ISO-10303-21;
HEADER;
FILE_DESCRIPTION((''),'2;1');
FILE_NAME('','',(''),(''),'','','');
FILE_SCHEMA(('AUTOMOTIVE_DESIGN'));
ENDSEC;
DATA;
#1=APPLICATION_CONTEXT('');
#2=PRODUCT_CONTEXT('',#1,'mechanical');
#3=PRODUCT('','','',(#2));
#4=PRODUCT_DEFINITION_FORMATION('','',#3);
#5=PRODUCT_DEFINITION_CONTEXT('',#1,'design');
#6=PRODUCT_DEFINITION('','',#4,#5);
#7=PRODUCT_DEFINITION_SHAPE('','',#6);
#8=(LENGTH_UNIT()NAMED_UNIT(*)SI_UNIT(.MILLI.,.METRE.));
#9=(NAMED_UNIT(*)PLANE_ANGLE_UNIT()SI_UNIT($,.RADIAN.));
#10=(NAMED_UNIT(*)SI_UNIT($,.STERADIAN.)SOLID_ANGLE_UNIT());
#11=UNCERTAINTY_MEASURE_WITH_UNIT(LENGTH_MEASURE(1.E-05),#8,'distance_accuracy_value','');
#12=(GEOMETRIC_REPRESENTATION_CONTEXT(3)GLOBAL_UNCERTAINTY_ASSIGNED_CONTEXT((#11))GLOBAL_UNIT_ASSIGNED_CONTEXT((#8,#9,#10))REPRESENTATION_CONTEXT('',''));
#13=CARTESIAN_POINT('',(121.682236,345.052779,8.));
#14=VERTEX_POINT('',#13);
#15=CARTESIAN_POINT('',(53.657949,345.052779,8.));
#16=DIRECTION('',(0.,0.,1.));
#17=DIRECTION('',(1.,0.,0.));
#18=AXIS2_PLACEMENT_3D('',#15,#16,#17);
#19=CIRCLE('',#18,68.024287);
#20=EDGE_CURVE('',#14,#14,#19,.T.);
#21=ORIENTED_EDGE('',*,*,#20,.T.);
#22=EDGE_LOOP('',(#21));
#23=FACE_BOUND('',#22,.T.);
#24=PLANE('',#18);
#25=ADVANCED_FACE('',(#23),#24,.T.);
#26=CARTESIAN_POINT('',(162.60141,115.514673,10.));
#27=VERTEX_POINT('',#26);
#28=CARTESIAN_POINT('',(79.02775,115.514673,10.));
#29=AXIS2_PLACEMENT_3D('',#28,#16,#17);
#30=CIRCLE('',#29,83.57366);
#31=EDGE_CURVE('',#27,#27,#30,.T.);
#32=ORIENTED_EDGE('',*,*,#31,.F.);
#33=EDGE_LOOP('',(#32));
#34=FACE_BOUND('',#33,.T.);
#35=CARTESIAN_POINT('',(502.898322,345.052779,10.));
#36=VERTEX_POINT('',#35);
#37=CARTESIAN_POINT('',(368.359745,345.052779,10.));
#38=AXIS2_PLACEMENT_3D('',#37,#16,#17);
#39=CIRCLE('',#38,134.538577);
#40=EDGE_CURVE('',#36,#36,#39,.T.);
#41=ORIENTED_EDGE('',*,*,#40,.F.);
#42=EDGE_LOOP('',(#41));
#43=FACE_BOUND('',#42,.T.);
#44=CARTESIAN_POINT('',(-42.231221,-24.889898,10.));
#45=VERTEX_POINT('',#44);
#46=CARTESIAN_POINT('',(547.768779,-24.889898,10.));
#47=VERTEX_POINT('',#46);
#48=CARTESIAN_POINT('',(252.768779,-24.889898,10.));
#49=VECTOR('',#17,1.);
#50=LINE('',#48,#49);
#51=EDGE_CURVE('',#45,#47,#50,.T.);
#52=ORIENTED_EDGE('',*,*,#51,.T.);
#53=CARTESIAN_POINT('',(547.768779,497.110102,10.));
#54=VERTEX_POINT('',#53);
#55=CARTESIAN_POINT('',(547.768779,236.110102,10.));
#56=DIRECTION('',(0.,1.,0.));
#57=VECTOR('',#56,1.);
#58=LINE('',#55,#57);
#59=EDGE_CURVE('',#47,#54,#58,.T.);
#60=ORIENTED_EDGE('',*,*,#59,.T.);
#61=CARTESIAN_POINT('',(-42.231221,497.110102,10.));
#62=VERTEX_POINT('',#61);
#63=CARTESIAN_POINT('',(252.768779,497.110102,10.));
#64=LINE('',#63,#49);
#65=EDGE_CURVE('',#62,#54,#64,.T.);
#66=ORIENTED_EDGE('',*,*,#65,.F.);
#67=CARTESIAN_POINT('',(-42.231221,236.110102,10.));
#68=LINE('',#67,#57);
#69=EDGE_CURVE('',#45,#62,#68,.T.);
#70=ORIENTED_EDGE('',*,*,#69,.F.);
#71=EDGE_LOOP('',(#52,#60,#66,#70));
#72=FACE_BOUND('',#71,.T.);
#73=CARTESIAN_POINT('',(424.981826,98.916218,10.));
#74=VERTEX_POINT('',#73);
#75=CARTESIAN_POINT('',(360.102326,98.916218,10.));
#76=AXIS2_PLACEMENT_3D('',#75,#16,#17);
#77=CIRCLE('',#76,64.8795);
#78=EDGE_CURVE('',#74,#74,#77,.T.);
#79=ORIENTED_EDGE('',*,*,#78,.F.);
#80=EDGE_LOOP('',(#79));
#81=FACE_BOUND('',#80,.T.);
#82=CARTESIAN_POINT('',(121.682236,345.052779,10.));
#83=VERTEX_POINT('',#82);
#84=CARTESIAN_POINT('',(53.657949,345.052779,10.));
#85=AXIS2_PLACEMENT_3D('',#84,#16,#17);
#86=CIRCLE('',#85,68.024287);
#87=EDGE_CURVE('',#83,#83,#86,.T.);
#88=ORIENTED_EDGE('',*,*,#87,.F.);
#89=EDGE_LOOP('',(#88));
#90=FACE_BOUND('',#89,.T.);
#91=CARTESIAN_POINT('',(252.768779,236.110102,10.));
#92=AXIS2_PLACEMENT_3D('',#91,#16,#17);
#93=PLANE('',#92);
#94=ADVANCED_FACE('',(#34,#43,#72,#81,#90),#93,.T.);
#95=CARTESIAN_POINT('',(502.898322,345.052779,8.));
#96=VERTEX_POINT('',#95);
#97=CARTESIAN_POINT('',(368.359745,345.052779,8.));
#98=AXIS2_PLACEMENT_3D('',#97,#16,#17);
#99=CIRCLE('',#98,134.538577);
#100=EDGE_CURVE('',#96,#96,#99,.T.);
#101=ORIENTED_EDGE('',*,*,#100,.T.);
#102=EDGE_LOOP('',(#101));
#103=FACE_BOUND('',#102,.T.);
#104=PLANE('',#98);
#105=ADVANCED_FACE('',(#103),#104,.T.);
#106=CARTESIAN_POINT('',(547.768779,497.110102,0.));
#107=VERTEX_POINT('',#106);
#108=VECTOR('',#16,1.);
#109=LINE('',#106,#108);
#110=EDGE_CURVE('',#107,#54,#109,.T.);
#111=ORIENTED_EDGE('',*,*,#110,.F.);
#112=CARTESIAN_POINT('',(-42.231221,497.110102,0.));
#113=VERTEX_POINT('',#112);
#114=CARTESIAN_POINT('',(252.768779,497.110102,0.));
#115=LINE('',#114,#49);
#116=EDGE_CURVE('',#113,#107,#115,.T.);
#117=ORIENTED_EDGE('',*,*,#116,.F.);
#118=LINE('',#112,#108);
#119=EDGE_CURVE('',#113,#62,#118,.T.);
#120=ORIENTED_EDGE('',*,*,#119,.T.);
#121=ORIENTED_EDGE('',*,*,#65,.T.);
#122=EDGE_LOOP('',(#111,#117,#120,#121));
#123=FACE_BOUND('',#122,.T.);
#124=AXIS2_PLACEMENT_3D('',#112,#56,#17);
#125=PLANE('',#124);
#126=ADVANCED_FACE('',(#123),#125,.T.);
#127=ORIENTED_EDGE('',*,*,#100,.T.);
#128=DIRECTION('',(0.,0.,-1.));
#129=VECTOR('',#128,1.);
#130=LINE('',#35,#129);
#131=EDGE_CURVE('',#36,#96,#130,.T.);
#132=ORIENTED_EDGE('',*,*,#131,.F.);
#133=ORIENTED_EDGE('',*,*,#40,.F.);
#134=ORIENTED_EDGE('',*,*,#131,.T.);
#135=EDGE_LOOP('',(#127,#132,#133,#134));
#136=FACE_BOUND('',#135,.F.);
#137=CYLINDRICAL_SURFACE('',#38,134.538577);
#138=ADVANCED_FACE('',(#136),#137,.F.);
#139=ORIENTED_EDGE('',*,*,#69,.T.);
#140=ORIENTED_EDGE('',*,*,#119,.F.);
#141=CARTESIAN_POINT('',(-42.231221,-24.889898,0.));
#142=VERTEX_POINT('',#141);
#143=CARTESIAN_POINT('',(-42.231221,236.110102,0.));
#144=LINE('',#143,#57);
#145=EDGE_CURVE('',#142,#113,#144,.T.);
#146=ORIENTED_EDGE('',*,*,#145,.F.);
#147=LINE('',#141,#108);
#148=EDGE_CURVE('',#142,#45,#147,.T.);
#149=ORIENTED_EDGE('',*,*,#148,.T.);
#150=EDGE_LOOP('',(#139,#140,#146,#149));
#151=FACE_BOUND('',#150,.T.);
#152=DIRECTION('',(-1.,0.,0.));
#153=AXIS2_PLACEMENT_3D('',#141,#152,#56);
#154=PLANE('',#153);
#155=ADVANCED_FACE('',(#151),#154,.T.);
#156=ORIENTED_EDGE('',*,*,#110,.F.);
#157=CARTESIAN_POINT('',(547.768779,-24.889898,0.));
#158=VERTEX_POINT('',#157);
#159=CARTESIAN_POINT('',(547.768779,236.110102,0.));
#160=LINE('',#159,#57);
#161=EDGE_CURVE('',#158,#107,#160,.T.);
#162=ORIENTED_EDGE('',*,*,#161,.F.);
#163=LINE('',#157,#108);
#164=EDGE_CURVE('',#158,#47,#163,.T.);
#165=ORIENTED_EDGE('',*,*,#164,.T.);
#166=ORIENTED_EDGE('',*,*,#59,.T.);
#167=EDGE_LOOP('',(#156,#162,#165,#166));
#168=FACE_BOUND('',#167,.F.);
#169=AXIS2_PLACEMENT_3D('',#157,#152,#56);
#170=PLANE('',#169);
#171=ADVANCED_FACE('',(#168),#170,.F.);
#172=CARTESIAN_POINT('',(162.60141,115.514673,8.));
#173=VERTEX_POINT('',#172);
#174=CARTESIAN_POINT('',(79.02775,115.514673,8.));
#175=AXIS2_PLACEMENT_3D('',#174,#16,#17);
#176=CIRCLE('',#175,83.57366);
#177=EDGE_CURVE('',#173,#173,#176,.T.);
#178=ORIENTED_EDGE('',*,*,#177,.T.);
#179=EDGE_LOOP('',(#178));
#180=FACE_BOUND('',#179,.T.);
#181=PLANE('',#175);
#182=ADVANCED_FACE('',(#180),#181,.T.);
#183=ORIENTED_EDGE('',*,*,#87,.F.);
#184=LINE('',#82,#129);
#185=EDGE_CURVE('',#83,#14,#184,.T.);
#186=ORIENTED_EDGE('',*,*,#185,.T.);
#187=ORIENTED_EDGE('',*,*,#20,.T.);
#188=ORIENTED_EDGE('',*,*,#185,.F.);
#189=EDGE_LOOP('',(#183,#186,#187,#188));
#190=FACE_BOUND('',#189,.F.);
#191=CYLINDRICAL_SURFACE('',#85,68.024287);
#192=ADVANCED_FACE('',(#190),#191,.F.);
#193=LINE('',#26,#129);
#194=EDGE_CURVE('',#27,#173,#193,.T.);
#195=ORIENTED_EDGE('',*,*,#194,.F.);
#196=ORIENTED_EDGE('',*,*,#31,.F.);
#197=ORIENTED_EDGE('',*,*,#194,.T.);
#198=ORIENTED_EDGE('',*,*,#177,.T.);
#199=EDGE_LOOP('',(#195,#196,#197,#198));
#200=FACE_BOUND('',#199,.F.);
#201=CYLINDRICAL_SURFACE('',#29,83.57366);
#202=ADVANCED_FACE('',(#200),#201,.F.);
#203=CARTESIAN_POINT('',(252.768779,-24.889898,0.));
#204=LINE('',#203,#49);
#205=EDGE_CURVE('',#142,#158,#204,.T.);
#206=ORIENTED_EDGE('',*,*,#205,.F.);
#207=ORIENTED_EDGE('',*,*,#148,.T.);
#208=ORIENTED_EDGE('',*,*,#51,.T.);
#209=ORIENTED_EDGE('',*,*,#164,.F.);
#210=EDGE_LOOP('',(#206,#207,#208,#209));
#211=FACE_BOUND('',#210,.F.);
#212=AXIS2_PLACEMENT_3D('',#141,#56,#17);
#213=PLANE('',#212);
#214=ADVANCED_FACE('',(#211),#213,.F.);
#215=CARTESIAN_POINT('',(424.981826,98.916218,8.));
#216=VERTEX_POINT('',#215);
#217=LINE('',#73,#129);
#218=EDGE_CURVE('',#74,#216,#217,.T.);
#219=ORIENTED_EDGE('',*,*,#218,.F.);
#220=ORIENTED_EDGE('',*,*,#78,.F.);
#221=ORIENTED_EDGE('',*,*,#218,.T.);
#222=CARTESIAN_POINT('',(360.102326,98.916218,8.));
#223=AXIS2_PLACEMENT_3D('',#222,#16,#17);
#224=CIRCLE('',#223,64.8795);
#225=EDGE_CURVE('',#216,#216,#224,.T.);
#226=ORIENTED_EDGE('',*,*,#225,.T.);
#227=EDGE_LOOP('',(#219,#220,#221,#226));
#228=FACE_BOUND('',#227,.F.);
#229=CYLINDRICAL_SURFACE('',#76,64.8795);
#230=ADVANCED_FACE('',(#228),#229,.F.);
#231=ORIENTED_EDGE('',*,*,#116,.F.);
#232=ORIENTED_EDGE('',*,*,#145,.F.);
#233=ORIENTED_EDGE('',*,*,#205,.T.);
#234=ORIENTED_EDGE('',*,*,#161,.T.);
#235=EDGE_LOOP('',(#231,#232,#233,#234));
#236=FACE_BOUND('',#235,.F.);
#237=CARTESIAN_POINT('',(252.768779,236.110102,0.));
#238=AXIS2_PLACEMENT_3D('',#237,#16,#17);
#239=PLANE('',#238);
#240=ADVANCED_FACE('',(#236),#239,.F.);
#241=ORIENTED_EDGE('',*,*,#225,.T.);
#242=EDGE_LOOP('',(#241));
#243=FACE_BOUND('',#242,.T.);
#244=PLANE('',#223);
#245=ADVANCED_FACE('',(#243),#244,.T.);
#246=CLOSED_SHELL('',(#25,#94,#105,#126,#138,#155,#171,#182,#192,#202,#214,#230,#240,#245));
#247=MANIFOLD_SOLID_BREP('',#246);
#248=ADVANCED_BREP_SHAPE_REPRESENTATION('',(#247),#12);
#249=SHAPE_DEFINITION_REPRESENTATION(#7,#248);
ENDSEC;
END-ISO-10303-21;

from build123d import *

# Parameters (mm, degrees)
F0_W     = 590
F0_H     = 522
F1_DEPTH = 10
F2_R     = 68.024287
F2_R_2   = 134.538577
F2_R_3   = 83.57366
F2_R_4   = 64.8795
F3_DEPTH = 2


with BuildPart() as f1:
    # F0 (on Top) → F1 (new body)
    with BuildSketch(Plane.XY):
        with Locations((252.768779, 236.110102)):
            Rectangle(F0_W, F0_H)
    extrude(amount=F1_DEPTH)

    # F2 (on face) → F3 (cut)
    with BuildSketch(Plane.XY.offset(10)):
        with Locations((53.657949, 345.052779)):
            Circle(F2_R)
        with Locations((368.359745, 345.052779)):
            Circle(F2_R_2)
        with Locations((79.02775, 115.514673)):
            Circle(F2_R_3)
        with Locations((360.102326, 98.916218)):
            Circle(F2_R_4)
    extrude(amount=-F3_DEPTH, mode=Mode.SUBTRACT)


solid = f1.part
